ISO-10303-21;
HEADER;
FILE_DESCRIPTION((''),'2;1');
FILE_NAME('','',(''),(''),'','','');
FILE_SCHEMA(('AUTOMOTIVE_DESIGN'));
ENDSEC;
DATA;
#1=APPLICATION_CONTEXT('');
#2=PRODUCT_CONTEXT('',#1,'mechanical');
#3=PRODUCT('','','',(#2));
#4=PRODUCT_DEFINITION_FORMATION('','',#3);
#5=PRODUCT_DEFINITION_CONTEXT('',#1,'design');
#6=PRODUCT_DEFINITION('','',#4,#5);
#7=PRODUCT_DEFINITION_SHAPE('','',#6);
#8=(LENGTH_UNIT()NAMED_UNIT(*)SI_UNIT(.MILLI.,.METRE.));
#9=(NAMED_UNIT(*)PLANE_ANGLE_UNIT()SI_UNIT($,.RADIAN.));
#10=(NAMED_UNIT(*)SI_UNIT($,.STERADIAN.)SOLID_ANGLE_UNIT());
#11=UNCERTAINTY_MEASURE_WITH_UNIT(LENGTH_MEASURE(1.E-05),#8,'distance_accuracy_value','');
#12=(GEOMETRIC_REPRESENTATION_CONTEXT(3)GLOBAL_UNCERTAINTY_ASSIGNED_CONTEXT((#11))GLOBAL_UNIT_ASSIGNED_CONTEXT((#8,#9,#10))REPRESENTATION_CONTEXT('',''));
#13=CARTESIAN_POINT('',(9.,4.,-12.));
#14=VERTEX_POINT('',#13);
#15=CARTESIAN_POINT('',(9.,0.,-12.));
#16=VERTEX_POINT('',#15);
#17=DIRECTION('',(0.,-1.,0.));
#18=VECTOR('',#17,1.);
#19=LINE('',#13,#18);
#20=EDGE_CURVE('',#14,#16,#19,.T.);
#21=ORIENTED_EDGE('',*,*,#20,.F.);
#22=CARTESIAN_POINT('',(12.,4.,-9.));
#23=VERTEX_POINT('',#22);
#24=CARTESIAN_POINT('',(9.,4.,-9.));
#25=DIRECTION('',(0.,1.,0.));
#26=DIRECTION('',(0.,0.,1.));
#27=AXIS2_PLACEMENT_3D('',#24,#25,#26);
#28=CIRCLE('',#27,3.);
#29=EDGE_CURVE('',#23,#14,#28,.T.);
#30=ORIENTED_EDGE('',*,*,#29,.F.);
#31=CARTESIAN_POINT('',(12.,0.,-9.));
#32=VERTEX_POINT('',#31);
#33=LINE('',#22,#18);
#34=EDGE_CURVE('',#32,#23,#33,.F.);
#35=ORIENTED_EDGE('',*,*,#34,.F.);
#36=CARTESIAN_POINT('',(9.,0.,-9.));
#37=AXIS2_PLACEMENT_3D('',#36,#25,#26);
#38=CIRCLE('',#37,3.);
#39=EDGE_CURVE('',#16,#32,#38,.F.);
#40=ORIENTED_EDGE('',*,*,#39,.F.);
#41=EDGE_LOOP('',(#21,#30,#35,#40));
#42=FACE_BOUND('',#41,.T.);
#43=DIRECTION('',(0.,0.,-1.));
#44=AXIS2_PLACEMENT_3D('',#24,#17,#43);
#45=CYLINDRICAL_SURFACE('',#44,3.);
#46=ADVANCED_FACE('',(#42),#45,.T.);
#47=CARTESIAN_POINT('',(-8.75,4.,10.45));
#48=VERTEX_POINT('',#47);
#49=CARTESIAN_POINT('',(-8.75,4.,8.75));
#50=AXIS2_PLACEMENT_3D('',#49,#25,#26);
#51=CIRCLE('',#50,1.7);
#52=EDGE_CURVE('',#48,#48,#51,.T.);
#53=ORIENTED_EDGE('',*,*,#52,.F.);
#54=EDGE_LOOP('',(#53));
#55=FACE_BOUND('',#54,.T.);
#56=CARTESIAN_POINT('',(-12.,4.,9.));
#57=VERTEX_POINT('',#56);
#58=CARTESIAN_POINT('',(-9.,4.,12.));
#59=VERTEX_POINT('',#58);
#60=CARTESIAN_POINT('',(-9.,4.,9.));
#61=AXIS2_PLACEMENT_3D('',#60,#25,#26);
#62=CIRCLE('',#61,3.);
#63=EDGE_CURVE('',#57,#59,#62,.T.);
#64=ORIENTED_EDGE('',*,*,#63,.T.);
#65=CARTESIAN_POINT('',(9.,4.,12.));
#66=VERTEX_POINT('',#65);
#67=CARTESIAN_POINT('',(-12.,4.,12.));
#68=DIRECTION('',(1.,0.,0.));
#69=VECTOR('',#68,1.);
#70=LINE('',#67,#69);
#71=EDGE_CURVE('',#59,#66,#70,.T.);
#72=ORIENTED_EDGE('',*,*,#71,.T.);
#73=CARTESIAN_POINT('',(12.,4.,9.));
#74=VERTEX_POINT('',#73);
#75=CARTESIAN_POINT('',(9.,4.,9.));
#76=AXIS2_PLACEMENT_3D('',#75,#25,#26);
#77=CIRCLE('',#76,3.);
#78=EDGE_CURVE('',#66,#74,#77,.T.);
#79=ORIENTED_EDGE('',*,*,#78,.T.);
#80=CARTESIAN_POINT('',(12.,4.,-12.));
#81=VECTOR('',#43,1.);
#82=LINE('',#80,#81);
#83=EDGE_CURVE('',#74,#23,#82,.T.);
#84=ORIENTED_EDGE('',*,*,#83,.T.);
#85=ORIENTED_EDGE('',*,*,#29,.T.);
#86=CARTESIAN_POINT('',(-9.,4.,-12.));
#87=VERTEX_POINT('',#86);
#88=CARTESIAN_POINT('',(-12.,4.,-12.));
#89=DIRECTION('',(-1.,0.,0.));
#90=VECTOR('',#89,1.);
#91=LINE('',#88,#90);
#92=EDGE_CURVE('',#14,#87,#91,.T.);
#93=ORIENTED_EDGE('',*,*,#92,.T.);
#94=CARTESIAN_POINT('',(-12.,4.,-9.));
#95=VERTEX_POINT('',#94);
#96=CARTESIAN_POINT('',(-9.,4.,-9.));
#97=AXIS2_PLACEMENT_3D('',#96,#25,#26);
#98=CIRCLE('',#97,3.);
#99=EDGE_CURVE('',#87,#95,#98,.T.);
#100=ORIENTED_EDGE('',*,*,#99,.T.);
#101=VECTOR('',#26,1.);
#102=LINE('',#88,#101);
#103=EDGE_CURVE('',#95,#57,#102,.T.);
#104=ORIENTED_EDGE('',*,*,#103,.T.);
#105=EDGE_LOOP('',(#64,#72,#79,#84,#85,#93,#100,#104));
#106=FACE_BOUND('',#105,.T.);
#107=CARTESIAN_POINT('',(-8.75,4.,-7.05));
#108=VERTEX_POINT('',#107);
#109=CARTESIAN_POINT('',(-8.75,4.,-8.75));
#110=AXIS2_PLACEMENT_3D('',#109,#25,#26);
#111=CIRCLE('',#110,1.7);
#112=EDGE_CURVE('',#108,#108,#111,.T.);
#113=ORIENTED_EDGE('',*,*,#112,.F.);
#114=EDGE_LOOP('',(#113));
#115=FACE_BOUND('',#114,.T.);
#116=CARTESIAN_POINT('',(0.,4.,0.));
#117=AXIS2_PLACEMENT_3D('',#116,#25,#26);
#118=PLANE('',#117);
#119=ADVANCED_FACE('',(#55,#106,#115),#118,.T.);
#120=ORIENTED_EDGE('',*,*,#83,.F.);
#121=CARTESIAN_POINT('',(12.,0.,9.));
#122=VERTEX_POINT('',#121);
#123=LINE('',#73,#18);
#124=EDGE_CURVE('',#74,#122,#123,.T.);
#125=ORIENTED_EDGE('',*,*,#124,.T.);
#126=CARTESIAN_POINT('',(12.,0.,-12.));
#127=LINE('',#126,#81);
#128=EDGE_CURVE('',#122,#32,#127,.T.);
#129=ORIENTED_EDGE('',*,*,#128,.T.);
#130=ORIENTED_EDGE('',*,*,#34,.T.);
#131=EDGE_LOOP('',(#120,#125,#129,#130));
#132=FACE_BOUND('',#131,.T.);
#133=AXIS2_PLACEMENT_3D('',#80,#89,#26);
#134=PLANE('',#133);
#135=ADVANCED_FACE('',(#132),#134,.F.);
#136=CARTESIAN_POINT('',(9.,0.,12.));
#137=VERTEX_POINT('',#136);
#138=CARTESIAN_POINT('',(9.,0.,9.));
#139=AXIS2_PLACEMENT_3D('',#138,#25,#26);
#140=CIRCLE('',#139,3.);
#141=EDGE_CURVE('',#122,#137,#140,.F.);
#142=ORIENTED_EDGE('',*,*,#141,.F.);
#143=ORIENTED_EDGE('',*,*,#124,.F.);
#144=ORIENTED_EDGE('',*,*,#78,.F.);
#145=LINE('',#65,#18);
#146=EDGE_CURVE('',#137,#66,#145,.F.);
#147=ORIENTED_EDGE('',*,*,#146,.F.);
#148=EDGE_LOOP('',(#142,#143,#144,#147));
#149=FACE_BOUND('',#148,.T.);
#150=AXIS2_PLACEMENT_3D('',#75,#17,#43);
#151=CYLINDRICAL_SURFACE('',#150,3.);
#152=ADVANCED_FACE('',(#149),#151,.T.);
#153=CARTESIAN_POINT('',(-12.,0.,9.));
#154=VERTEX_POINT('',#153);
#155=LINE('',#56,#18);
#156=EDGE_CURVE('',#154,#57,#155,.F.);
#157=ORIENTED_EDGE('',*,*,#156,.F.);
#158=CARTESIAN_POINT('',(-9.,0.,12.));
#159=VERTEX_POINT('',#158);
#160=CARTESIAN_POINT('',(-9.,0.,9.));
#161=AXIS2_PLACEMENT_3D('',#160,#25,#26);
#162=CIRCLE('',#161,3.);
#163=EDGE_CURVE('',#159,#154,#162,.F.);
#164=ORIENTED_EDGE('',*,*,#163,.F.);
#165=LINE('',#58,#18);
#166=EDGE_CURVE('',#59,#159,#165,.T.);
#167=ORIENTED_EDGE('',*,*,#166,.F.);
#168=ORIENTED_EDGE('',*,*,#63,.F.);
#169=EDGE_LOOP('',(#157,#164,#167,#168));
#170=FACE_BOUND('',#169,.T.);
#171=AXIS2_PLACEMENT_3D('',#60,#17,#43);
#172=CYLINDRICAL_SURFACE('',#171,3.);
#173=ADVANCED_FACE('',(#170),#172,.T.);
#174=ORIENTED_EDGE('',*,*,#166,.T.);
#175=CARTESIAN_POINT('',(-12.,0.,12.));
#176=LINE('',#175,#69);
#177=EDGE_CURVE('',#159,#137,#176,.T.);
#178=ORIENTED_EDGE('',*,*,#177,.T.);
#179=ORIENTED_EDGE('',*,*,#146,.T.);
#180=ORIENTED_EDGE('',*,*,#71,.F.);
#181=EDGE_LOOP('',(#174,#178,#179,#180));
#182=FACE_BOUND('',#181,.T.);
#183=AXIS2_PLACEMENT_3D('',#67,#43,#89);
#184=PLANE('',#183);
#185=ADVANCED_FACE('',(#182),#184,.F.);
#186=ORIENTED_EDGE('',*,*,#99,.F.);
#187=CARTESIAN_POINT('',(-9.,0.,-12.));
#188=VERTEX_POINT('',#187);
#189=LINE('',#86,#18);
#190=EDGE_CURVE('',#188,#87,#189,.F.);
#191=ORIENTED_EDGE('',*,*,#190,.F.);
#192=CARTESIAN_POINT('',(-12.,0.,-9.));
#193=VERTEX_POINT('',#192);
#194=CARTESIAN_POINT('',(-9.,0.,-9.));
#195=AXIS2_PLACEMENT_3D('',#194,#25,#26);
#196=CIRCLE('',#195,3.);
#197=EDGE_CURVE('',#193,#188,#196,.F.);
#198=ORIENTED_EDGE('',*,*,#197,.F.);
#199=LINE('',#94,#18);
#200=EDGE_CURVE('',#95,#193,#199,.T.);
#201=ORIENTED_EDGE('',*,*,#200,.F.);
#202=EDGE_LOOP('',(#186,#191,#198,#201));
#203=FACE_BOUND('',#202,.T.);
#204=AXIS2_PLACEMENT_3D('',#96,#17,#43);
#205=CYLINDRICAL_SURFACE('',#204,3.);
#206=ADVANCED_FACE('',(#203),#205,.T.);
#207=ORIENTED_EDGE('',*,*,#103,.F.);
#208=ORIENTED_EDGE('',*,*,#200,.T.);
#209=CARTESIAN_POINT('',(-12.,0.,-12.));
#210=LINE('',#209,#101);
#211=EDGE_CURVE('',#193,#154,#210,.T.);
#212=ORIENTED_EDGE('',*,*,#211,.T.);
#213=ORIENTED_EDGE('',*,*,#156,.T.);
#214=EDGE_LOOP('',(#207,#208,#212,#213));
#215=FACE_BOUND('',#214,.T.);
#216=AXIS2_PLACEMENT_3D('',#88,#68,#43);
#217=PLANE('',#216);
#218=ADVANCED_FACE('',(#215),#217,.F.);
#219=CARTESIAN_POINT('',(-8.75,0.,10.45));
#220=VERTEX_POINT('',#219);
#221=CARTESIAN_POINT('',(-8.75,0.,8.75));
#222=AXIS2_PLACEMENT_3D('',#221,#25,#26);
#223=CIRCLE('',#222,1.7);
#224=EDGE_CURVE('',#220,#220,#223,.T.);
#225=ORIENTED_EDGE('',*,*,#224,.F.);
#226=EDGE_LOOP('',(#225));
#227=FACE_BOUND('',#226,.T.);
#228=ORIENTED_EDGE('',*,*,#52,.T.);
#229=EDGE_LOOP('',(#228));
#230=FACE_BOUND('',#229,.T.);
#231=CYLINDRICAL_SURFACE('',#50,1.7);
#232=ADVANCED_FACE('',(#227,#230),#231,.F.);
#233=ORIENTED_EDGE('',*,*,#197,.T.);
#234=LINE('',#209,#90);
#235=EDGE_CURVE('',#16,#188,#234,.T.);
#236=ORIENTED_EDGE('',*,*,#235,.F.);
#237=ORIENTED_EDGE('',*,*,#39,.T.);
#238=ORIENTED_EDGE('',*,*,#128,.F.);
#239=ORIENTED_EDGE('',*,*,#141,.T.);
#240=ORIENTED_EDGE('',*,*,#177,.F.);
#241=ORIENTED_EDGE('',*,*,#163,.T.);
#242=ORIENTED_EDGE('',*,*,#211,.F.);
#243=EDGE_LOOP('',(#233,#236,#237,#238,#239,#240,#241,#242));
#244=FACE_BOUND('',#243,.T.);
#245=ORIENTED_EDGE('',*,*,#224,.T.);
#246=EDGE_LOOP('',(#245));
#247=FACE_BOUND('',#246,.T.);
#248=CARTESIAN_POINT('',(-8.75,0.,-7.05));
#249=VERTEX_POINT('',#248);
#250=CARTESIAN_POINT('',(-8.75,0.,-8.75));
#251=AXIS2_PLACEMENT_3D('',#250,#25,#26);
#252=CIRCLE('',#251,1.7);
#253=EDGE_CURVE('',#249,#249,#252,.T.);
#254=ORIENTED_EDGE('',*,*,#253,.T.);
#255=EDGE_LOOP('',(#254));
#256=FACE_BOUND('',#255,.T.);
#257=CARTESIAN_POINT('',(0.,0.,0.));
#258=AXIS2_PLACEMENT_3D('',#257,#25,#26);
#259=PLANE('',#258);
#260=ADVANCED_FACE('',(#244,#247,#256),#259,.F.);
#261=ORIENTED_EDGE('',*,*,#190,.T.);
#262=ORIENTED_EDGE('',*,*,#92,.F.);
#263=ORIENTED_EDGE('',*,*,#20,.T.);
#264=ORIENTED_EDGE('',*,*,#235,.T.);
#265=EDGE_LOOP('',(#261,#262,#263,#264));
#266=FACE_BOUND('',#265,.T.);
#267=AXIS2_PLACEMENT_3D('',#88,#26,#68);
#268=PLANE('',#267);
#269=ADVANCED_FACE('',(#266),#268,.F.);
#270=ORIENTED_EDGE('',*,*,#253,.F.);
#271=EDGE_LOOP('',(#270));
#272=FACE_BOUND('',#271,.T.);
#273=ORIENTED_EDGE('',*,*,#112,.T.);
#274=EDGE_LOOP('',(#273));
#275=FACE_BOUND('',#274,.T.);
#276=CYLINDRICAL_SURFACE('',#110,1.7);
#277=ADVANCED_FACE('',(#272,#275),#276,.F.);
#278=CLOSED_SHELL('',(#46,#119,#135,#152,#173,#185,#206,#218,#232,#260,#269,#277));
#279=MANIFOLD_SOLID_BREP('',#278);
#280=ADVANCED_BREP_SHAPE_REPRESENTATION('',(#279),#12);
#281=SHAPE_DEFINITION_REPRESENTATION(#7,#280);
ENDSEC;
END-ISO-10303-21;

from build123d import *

# Parameters (mm, degrees)
ESQUISSE1_W        = 24
ESQUISSE1_H        = 24
BOSS_EXTRU_1_DEPTH = 4
D_GAGEMENT_M31_D   = 3.4
CONG_1_R           = 3


with BuildPart() as part:
    # Esquisse1 → Boss.-Extru.1 (new body)
    with BuildSketch(Plane(origin=(0, 0, 0), x_dir=(1, 0, 0), z_dir=(0, 1, 0))):
        Rectangle(ESQUISSE1_W, ESQUISSE1_H)
    extrude(amount=BOSS_EXTRU_1_DEPTH)

    # Dégagement M31 (through all)
    with Locations(Plane(origin=(0, 4, 0), x_dir=(1, 0, 0), z_dir=(0, 1, 0))):
        with Locations((-8.75, -8.75), (-8.75, 8.75)):
            Hole(D_GAGEMENT_M31_D / 2)

    # Congé1
    cong_1_edges = [part.edges().sort_by_distance(p)[0] for p in [
        (12, 2, 12),
        (-12, 2, 12),
        (-12, 2, -12),
        (12, 2, -12),
    ]]
    fillet(cong_1_edges, radius=CONG_1_R)


solid = part.part
